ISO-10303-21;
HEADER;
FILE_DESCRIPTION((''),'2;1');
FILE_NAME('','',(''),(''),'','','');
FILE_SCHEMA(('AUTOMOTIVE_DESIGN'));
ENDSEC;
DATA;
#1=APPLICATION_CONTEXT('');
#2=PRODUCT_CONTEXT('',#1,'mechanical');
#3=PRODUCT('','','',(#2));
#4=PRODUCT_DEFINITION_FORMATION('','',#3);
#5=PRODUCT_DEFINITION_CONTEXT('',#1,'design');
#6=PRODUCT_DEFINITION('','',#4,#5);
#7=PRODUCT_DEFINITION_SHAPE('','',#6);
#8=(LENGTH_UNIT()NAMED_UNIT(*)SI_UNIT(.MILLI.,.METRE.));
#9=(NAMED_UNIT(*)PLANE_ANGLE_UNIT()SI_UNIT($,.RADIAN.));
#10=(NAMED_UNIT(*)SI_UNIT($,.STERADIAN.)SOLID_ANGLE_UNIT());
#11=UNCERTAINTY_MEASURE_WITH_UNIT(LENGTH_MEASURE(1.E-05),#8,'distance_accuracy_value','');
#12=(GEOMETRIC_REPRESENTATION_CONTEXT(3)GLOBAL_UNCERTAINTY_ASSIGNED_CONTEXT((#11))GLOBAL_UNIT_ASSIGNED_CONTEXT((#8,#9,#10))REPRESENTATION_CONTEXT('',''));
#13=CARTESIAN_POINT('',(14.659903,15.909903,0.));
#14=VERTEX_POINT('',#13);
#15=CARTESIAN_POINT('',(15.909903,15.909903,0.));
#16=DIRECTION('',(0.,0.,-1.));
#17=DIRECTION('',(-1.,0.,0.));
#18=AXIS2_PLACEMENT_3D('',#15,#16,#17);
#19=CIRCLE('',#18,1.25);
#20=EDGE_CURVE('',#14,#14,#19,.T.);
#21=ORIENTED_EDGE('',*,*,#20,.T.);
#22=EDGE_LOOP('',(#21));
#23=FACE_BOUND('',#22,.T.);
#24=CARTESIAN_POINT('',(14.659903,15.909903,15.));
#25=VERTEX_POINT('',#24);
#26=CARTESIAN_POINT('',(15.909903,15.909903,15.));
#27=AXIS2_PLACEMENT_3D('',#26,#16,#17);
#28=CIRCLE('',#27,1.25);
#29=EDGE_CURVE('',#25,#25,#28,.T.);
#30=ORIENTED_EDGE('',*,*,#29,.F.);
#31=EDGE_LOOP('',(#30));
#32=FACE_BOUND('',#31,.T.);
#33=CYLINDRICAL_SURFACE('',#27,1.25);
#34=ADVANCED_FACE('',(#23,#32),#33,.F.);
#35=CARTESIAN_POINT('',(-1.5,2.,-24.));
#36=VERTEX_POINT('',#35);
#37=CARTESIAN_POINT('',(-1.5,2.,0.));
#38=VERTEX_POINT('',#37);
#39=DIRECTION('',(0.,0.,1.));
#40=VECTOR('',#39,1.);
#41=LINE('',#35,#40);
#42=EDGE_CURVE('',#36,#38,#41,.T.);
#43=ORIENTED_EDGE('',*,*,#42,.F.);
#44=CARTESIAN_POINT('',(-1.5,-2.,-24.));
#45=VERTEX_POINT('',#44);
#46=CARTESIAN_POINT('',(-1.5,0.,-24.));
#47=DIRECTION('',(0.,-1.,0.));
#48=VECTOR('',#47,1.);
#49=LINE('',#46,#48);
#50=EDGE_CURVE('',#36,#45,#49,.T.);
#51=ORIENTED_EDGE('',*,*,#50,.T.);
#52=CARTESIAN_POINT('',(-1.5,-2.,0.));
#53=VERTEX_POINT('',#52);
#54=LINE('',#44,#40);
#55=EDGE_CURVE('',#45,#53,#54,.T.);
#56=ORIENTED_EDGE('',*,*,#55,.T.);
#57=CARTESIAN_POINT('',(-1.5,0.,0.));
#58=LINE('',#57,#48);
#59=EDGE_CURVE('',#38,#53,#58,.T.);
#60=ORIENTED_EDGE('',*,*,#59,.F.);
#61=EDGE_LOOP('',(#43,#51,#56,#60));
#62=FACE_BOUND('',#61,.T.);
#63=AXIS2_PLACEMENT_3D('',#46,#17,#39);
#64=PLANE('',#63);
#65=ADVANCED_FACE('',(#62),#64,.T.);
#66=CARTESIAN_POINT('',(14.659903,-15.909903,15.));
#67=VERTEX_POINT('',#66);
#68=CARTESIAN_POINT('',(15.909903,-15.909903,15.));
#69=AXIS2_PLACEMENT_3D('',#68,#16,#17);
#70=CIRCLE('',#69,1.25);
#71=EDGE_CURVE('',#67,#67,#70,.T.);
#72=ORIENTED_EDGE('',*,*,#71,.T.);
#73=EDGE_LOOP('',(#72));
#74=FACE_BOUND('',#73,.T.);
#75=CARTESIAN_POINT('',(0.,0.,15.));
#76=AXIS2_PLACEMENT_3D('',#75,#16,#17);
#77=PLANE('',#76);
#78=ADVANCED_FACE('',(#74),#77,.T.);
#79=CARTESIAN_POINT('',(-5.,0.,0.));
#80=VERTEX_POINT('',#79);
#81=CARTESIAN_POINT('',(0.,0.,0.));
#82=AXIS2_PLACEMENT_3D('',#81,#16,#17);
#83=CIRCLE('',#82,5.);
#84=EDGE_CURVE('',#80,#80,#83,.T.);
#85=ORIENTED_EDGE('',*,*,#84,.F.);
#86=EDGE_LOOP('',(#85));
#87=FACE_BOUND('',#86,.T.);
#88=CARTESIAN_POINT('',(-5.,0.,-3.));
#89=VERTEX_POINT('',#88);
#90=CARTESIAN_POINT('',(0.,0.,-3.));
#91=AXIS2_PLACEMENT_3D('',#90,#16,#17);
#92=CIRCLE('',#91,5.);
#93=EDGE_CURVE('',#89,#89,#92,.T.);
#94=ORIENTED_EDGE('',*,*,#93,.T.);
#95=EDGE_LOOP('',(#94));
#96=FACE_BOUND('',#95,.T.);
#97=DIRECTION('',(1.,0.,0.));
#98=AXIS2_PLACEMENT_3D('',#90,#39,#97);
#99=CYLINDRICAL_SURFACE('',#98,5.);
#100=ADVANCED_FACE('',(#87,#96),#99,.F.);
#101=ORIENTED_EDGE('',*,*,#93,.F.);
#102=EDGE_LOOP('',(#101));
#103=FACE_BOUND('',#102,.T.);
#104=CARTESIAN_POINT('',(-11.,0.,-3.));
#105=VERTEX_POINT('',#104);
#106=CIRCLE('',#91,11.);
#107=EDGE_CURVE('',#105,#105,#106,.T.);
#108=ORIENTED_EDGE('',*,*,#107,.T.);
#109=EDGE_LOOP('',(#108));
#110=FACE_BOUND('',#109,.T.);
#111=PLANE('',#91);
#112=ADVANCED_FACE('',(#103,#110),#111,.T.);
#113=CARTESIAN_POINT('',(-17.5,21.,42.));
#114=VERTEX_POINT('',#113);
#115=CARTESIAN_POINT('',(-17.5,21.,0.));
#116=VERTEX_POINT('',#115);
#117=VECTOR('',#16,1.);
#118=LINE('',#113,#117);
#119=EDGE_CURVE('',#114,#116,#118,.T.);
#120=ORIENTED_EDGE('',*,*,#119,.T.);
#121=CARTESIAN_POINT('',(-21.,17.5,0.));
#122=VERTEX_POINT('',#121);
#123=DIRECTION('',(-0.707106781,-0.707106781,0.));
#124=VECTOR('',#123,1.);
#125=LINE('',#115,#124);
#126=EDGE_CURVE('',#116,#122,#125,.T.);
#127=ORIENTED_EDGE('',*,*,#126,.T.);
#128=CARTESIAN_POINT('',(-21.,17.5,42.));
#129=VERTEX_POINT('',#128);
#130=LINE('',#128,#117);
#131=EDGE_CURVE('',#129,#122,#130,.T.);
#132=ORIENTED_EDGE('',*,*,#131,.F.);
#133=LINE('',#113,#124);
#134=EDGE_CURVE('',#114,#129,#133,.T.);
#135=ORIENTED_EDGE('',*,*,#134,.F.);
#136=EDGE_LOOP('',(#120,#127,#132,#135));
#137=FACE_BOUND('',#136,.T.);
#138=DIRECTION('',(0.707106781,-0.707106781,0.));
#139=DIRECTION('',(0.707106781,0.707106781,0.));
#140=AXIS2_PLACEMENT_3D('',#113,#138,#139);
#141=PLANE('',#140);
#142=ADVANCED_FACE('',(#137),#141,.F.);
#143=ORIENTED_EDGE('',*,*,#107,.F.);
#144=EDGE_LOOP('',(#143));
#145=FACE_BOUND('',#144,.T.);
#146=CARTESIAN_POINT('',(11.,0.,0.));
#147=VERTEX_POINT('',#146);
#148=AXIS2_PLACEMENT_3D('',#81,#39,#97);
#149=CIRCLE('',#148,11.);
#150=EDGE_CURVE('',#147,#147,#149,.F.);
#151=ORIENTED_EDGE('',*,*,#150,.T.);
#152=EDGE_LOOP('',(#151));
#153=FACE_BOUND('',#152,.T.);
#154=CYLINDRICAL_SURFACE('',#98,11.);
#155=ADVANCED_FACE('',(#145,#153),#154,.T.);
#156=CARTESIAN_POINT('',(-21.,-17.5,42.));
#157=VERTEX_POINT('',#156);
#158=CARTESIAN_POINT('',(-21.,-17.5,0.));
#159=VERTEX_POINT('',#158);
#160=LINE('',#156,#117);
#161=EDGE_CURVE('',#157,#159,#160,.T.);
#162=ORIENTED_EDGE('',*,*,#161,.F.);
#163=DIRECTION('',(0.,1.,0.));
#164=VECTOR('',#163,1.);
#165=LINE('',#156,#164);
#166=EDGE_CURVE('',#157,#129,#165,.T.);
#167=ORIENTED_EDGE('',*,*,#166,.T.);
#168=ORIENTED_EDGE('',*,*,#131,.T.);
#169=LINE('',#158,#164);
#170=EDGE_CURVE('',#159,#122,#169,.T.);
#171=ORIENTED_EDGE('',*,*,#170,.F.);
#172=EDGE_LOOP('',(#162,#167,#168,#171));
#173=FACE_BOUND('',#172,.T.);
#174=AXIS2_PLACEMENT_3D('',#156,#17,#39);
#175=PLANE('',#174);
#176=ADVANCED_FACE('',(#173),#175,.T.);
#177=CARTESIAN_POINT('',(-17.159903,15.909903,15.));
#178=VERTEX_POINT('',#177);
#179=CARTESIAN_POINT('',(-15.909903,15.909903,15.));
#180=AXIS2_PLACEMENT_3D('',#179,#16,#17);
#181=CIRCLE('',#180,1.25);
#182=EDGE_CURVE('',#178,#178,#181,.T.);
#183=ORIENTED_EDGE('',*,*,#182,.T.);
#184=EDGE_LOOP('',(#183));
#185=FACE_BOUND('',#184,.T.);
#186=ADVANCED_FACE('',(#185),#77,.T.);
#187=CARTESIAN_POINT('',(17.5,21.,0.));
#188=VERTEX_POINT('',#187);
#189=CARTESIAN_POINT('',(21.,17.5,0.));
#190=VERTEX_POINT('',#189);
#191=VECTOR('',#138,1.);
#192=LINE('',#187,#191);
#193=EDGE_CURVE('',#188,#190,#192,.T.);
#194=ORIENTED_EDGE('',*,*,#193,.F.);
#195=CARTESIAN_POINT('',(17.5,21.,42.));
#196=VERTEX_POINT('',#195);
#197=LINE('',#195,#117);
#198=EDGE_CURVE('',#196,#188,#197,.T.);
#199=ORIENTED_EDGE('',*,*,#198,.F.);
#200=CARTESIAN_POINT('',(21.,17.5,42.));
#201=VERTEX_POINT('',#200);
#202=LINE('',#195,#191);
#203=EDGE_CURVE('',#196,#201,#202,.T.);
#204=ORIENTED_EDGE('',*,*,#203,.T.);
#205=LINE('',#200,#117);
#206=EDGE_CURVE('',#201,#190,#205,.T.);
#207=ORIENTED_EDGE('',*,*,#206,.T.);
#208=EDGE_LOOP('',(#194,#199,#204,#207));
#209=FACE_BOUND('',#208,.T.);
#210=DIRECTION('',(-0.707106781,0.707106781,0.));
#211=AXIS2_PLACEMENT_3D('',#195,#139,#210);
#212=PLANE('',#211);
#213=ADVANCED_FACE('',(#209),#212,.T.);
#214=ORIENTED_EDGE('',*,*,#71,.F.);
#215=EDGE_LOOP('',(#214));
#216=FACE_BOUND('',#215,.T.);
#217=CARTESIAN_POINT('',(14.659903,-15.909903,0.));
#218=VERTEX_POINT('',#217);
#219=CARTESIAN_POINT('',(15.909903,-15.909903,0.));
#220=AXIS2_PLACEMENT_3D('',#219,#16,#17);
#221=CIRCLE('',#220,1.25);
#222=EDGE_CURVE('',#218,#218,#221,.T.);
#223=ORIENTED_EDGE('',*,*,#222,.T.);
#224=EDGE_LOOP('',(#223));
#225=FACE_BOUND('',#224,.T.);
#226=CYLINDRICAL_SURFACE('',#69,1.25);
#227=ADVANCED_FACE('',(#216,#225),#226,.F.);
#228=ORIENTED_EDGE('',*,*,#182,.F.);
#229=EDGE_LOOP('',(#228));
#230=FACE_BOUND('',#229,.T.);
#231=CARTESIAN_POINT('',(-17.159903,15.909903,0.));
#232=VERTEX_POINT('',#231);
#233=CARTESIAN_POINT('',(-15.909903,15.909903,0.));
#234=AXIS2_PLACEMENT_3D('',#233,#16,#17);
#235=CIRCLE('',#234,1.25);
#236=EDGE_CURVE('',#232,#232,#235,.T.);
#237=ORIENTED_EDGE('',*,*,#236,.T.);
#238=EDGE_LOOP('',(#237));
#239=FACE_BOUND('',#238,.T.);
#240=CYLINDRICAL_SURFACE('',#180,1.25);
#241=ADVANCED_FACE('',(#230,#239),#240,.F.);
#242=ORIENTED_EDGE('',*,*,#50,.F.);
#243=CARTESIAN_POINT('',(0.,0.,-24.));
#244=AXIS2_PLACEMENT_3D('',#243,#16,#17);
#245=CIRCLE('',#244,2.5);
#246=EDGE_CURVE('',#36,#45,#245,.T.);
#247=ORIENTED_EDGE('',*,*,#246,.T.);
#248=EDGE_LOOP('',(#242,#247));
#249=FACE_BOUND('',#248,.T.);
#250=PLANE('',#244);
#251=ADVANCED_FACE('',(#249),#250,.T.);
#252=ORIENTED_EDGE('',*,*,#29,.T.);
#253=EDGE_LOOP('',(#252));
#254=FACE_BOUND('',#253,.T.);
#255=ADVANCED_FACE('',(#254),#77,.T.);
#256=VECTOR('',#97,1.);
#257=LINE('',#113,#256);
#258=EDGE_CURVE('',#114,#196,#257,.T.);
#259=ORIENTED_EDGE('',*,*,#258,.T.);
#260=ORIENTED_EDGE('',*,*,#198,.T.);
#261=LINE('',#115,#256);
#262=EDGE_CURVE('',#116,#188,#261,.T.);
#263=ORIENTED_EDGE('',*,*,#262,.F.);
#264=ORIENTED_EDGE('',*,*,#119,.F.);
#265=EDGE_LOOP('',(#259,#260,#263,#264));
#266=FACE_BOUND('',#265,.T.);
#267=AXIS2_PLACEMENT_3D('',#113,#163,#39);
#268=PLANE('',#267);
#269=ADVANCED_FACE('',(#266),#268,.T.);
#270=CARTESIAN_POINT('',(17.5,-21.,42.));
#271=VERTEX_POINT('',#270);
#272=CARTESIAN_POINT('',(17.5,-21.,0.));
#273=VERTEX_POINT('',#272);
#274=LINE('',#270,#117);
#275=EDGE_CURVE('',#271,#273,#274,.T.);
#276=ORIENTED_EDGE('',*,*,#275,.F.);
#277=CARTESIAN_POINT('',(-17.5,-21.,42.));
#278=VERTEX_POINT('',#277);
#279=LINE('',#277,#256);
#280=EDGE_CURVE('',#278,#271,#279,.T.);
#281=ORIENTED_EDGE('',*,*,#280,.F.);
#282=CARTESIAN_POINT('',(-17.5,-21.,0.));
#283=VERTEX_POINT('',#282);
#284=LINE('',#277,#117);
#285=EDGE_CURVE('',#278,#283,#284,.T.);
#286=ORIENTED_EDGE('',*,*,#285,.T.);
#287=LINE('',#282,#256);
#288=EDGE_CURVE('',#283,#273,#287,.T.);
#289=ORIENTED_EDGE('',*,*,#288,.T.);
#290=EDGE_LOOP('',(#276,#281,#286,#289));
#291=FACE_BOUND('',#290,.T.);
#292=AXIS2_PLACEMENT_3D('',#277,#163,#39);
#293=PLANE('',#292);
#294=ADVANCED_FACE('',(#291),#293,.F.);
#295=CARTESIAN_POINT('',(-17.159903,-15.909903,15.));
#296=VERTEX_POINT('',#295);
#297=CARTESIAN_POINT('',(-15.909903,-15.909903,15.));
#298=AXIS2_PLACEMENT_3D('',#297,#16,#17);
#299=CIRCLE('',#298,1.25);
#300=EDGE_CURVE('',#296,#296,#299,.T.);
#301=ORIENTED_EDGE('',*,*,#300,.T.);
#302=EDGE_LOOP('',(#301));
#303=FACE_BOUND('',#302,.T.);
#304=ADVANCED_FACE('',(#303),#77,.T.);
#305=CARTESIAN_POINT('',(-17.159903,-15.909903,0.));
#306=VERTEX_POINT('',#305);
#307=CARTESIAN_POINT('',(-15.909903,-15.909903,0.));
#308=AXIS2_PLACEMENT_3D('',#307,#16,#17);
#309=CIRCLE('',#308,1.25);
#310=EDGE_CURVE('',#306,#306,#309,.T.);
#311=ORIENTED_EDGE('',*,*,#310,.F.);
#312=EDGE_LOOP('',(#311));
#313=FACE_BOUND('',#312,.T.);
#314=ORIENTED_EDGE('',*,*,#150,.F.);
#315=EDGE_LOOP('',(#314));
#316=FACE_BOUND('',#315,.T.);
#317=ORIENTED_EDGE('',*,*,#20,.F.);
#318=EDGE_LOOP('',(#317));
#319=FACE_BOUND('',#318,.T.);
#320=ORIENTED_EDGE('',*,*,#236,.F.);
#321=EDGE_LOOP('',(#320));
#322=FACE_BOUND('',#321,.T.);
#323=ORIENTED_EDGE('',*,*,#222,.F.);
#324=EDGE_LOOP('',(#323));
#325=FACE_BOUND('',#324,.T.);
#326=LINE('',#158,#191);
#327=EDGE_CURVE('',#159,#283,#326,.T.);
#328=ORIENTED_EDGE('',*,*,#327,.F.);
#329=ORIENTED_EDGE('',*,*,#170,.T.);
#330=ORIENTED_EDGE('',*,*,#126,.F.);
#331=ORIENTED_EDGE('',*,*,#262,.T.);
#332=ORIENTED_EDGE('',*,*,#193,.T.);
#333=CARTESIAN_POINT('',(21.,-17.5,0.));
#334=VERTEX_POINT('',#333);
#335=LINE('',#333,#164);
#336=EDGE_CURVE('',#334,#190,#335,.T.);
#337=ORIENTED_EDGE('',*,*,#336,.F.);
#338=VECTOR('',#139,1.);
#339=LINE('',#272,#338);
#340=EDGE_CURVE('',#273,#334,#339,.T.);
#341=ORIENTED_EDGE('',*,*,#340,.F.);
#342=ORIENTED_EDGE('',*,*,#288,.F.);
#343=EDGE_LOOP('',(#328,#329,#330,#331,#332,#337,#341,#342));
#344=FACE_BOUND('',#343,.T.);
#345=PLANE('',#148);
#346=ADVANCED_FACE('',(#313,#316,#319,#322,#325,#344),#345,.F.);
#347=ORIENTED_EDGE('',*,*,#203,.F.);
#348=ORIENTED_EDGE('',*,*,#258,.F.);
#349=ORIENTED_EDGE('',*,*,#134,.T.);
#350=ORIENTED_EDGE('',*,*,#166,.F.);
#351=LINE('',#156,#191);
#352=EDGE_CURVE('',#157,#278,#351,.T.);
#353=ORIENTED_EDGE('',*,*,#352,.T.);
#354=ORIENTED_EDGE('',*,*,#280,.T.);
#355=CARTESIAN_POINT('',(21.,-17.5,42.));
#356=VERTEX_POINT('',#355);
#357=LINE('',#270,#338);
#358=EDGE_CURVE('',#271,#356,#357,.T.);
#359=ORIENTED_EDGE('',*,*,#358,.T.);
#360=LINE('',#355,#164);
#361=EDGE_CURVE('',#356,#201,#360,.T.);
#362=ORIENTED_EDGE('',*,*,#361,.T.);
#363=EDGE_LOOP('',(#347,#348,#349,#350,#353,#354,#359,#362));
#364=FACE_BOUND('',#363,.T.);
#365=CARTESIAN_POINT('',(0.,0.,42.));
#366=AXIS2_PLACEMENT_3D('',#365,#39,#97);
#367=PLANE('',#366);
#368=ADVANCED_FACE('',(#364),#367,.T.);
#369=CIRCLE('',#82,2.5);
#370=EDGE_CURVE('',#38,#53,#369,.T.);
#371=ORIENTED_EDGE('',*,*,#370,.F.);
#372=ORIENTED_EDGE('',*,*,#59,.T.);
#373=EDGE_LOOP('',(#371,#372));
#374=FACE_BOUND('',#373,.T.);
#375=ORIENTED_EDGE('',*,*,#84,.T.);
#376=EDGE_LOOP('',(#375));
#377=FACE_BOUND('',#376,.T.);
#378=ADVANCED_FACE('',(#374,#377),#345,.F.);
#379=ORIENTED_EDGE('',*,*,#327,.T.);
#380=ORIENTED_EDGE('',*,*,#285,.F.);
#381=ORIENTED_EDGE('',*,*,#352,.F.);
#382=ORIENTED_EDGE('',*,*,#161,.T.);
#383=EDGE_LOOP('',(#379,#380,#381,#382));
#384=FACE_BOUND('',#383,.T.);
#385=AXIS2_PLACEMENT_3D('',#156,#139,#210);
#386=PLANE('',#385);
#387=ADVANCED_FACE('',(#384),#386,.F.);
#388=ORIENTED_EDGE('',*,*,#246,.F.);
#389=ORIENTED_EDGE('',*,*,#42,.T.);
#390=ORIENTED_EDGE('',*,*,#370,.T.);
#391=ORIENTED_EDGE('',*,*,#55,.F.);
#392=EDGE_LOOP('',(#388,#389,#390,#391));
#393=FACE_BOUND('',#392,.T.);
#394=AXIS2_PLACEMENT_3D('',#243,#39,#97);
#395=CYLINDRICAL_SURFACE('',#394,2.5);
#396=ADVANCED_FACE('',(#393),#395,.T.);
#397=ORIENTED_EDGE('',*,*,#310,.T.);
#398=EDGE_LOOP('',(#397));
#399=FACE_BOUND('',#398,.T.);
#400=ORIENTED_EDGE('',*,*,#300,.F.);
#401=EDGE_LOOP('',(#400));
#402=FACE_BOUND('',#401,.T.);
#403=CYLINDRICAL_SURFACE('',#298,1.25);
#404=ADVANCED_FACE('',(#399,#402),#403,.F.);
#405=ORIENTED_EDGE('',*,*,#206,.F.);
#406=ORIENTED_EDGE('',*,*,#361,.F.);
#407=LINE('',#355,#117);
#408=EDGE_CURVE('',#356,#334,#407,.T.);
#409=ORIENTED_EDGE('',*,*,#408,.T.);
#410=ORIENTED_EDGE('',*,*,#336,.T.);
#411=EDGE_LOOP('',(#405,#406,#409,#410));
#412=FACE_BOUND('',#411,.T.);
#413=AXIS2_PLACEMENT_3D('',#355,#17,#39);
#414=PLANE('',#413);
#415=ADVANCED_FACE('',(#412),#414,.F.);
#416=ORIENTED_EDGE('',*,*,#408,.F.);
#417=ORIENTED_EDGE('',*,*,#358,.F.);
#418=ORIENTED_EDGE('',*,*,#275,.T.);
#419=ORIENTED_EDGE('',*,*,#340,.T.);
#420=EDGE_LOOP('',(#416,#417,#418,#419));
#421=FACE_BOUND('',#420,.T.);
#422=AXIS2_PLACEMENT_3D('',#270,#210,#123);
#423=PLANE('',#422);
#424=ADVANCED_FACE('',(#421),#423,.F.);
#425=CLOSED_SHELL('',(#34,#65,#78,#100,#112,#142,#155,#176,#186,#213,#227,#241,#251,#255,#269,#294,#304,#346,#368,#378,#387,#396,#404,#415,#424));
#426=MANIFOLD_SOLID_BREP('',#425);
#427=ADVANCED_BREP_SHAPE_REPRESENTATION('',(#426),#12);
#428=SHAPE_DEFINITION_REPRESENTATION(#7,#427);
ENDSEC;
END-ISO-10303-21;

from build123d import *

# Parameters (mm, degrees)
SALIENTE_EXTRUIR1_DEPTH = 42
CROQUIS2_R              = 11
CROQUIS2_R_2            = 5
SALIENTE_EXTRUIR3_DEPTH = 3
SALIENTE_EXTRUIR4_DEPTH = 24
CROQUIS7_R              = 1.25
CORTAR_EXTRUIR2_DEPTH   = 15


with BuildPart() as part:
    # Croquis1 → Saliente-Extruir1 (new body)
    with BuildSketch(Plane.XY):
        Polygon((-17.5, -21), (17.5, -21), (21, -17.5), (21, 17.5), (17.5, 21), (-17.5, 21), (-21, 17.5), (-21, -17.5), align=None)
    extrude(amount=SALIENTE_EXTRUIR1_DEPTH)

    # Croquis2 → Saliente-Extruir3 (add)
    with BuildSketch(Plane(origin=(0, 0, 0), x_dir=(-1, 0, 0), z_dir=(0, 0, -1))):
        with Locations(Location((0, 0, 0), (0, 0, 180))):
            Circle(CROQUIS2_R)
        Circle(CROQUIS2_R_2, mode=Mode.SUBTRACT)
    extrude(amount=SALIENTE_EXTRUIR3_DEPTH)

    # Croquis3 → Saliente-Extruir4 (add)
    with BuildSketch(Plane(origin=(0, 0, 0), x_dir=(-1, 0, 0), z_dir=(0, 0, -1))):
        with BuildLine():
            Line((1.5, 0), (-2.5, 0))
            ThreePointArc((-2.5, 0), (-1.118033989, -2.236067977), (1.5, -2))
            Line((1.5, -2), (1.5, 0))
        make_face()
        with BuildLine():
            ThreePointArc((1.5, 2), (-1.118033989, 2.236067977), (-2.5, 0))
            Line((-2.5, 0), (1.5, 0))
            Line((1.5, 0), (1.5, 2))
        make_face()
    extrude(amount=SALIENTE_EXTRUIR4_DEPTH)

    # Croquis7 → Cortar-Extruir2 (cut)
    with BuildSketch(Plane(origin=(0, 0, 0), x_dir=(-1, 0, 0), z_dir=(0, 0, -1))):
        with Locations((-15.909902577, 15.909902577)):
            Circle(CROQUIS7_R)
        with Locations((-15.909902577, -15.909902577)):
            Circle(CROQUIS7_R)
        with Locations((15.909902577, -15.909902577)):
            Circle(CROQUIS7_R)
        with Locations((15.909902577, 15.909902577)):
            Circle(CROQUIS7_R)
    extrude(amount=-CORTAR_EXTRUIR2_DEPTH, mode=Mode.SUBTRACT)


solid = part.part
